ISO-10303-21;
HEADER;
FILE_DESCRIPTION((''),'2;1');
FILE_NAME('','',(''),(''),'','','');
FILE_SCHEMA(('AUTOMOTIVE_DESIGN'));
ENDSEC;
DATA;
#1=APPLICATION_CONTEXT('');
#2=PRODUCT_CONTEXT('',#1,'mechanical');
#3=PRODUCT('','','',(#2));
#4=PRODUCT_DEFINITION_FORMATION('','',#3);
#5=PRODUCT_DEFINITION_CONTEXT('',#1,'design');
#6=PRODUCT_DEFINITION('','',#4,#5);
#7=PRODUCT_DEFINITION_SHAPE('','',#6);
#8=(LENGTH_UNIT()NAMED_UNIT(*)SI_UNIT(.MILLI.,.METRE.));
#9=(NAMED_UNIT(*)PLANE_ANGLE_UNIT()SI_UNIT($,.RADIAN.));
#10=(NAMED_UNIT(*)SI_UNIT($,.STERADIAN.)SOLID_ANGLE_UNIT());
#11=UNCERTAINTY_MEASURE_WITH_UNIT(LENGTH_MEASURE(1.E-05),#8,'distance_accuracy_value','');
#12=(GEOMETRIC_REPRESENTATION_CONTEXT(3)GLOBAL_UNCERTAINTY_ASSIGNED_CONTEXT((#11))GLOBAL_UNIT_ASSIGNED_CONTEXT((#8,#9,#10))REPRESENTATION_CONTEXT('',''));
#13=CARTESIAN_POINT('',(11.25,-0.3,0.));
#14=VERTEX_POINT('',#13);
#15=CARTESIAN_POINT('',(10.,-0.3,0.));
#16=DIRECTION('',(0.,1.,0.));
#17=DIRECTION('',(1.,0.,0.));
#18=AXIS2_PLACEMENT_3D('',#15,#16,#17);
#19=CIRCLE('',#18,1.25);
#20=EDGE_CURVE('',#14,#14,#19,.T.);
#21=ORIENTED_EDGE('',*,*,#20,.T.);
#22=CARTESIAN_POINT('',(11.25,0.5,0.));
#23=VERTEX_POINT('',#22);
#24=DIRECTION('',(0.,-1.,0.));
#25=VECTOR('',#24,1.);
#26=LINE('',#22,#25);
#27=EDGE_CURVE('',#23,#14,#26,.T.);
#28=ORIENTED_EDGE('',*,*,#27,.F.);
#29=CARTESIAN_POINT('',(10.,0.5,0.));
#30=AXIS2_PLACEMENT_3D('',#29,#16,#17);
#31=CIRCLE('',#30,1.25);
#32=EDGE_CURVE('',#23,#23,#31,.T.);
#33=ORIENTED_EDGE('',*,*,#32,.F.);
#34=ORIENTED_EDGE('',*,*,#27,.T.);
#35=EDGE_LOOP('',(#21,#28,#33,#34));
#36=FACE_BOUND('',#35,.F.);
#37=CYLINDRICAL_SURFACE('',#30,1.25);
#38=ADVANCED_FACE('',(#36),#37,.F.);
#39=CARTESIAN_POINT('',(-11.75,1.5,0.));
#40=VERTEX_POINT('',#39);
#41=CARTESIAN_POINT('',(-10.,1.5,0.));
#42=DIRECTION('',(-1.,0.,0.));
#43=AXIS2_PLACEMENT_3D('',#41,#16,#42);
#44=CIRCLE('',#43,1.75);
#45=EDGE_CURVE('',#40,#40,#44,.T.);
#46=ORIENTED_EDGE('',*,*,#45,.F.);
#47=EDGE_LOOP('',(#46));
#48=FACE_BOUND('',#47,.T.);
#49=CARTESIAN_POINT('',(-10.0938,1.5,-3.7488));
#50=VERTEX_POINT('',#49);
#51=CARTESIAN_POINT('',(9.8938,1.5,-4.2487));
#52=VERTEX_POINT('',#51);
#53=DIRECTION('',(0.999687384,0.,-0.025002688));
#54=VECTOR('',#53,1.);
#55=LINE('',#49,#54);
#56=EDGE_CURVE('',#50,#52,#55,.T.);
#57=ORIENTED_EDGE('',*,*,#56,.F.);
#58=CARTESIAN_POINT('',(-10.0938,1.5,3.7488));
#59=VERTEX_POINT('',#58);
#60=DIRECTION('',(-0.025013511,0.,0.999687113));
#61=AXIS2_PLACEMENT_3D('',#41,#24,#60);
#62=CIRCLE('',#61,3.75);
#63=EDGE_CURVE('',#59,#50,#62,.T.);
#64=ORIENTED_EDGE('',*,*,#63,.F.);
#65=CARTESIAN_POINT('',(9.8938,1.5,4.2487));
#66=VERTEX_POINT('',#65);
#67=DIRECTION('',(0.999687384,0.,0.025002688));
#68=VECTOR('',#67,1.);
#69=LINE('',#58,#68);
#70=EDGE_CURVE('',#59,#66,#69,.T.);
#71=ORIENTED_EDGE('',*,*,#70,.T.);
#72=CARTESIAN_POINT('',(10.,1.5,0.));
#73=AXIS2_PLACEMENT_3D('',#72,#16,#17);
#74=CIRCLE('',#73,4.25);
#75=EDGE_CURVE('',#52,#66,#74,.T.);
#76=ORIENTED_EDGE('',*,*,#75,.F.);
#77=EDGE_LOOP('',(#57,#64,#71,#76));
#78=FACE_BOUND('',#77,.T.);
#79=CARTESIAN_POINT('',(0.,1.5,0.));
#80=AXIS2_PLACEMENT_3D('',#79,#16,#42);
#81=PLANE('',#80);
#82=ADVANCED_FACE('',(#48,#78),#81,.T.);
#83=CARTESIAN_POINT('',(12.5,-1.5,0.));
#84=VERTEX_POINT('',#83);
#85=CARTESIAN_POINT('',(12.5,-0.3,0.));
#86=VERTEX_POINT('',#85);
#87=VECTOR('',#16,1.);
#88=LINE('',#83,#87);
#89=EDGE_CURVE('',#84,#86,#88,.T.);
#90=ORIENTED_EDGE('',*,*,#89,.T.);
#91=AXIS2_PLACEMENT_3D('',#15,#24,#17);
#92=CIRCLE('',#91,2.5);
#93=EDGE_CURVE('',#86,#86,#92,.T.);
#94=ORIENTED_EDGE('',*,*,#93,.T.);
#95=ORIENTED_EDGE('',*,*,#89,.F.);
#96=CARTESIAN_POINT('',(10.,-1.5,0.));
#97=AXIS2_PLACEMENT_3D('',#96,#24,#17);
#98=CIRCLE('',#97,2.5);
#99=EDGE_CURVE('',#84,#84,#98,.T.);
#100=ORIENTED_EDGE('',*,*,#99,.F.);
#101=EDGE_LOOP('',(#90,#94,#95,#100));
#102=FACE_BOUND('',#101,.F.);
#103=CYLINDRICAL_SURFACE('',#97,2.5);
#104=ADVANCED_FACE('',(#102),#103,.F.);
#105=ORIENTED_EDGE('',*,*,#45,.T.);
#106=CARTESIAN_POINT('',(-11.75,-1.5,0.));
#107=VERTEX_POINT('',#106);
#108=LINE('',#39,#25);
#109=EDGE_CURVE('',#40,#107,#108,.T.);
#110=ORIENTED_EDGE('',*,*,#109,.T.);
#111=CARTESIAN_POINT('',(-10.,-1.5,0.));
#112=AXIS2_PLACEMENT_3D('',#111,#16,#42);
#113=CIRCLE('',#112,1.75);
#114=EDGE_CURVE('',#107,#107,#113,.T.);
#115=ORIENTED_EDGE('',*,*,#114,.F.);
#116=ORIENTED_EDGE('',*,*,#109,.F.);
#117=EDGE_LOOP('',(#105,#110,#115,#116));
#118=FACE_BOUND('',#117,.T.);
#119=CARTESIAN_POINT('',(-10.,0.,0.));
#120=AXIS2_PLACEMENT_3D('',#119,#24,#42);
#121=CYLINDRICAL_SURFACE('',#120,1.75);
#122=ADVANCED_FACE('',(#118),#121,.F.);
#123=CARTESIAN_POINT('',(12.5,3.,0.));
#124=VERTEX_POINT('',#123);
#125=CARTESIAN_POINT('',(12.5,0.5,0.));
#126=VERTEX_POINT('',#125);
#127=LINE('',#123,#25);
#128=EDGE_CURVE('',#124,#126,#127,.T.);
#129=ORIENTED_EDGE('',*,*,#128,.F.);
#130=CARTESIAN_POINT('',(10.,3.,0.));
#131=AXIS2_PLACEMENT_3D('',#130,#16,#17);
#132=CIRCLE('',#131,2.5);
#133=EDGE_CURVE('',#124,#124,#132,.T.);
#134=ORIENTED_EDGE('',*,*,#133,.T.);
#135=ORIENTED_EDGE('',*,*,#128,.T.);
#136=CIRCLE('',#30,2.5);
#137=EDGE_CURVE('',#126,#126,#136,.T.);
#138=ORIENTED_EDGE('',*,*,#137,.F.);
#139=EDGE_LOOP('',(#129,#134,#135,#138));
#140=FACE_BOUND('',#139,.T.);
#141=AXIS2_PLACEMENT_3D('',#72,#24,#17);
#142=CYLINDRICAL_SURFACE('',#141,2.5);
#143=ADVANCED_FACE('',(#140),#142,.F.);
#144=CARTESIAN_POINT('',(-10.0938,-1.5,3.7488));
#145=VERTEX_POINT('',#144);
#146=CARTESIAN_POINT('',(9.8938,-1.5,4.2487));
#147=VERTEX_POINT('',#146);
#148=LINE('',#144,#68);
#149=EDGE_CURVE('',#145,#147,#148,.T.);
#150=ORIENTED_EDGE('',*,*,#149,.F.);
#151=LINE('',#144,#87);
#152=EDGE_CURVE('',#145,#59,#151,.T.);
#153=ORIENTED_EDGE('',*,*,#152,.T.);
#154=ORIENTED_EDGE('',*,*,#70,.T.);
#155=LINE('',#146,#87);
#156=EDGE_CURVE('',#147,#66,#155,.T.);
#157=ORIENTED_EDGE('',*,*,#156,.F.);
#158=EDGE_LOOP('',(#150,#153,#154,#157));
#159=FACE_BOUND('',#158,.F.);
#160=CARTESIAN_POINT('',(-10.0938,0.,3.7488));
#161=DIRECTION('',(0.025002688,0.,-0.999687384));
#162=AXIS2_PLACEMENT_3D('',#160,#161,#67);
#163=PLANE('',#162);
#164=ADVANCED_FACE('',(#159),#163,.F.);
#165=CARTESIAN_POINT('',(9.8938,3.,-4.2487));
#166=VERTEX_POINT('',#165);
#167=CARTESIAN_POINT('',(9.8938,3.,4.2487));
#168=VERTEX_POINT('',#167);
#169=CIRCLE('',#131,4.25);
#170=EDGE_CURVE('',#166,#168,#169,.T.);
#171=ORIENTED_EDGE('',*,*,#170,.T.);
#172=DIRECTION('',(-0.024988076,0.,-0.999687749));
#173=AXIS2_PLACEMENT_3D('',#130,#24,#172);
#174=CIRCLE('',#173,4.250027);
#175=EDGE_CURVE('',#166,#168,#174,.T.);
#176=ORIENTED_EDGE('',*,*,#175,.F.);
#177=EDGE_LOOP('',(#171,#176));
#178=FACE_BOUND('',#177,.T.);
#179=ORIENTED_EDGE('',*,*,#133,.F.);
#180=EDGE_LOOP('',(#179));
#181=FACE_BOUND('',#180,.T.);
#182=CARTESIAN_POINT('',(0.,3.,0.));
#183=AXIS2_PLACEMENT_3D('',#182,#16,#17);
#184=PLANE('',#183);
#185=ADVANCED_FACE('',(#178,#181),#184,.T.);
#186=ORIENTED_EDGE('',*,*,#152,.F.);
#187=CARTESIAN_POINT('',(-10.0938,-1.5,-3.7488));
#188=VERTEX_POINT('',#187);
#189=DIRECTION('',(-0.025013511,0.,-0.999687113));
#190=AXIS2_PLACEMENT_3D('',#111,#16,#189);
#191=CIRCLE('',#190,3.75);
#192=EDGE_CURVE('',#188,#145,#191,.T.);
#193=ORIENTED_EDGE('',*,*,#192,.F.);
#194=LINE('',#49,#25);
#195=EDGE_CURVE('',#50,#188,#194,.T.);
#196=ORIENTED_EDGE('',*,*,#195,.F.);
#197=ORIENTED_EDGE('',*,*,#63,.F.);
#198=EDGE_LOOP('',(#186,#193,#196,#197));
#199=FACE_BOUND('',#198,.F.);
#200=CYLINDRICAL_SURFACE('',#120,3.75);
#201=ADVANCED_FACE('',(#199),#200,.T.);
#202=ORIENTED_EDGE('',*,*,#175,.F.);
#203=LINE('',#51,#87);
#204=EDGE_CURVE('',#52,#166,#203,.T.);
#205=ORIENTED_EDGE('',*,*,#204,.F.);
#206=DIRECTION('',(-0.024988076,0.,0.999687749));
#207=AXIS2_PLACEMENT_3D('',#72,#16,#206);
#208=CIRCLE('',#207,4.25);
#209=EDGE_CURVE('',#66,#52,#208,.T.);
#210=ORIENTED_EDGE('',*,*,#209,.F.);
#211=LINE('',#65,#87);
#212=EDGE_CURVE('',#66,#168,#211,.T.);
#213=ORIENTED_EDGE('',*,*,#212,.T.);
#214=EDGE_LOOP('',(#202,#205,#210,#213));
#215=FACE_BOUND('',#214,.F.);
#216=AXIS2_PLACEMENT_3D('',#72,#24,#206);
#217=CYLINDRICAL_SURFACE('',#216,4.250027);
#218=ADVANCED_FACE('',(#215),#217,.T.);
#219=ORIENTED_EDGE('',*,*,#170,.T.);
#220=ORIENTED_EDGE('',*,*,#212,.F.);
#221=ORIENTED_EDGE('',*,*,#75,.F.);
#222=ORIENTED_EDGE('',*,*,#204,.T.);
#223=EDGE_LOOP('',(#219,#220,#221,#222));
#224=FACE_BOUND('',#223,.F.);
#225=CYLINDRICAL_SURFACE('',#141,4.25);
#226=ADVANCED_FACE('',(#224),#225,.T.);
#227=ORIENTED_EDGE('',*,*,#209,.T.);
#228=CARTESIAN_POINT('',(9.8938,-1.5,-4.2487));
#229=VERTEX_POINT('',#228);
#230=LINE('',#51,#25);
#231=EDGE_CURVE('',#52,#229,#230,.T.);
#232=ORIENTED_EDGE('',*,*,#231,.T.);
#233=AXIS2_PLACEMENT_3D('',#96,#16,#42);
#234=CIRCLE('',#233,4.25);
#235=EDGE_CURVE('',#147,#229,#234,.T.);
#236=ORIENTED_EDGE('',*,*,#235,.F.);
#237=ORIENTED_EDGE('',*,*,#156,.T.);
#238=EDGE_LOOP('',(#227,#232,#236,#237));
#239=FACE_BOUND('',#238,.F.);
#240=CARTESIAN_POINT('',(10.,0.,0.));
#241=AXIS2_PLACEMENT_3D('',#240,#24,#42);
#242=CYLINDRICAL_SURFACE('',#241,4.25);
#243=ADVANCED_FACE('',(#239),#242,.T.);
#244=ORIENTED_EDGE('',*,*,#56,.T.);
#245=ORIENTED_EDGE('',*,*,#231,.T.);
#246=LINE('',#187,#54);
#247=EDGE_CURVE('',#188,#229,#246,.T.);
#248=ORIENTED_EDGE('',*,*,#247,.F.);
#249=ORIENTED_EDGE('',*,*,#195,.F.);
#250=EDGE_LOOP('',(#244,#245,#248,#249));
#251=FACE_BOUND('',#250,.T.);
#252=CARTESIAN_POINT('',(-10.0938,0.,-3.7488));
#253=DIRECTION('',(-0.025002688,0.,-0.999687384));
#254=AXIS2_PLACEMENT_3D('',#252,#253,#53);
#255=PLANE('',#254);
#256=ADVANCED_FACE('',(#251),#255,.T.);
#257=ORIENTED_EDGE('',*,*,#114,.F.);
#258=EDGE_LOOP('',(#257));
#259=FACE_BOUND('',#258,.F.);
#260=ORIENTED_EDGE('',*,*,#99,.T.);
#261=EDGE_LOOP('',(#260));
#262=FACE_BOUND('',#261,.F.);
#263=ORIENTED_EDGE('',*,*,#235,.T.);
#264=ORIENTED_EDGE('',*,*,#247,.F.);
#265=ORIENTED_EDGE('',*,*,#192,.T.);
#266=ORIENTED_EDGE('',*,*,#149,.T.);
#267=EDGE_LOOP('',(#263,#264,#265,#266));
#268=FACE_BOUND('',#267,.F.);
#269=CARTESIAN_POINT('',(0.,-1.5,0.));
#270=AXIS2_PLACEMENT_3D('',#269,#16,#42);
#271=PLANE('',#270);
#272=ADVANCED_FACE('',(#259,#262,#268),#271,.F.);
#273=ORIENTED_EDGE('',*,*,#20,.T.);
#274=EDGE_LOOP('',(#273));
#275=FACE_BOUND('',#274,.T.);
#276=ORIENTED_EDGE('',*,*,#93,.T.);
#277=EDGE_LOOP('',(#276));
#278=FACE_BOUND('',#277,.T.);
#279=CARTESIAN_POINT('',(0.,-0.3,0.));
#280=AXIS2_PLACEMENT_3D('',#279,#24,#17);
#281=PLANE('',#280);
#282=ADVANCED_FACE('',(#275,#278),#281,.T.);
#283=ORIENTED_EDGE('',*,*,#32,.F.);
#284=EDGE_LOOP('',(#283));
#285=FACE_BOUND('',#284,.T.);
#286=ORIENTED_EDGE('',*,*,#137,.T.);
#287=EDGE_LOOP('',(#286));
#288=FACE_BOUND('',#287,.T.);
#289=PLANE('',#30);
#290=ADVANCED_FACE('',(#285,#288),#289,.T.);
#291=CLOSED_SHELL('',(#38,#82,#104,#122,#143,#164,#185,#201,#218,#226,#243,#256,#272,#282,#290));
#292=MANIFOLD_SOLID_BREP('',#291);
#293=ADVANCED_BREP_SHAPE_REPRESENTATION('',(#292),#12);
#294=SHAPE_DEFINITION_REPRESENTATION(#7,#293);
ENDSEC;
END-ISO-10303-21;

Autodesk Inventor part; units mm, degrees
ref_plane "YZ Plane" through (0, 0, 0) normal (1, 0, 0) x (0, 1, 0)
ref_plane "XZ Plane" through (0, 0, 0) normal (0, 1, 0) x (-1, 0, 0)
ref_plane "XY Plane" through (0, 0, 0) normal (0, 0, 1) x (1, 0, 0)
sketch "Sketch1" plane through (0, 0, 0) normal (0, 1, 0) x (-1, 0, 0)
  line L0 (0, 0) -> (10, 0) construction
  circle A0 centre (10, 0) radius 3.75
  circle A1 centre (10, 0) radius 1.75
  line L1 (0, 0) -> (-10, 0) construction
  circle A2 centre (-10, 0) radius 4.25
  line L2 (10.0938, 3.7488) -> (-9.8938, 4.2487)
  line L3 (10.0938, -3.7488) -> (-9.8938, -4.2487)
  dimension "d1" = 7.5
  dimension "d0" = 10
  dimension "d2" = 3.5
  dimension "d3" = 10
extrude "Extrusion1" add sketch "Sketch1" along normal mid plane 3
sketch "Sketch2" plane through (0, 1.5, 0) normal (0, 1, 0) x (1, 0, 0)
  arc A0 (9.8938, -4.2487) -> (9.8938, 4.2487) centre (10, 0) ccw projected
  circle A1 centre (10, 0) radius 2.5
  circle A2 centre (10, 0) radius 4.25
  point P0 (0, 0)
  point P1 (9.8937, 4.2487)
  point P2 (9.8938, -4.2487)
  dimension "d9" = 5
extrude "Extrusion2" add sketch "Sketch2" along normal blind 1.5
sketch "Sketch4" plane through (10, 1.5, 0) normal (0, 1, 0) x (1, 0, 0)
  circle A0 centre (0, 0) radius 2.5 projected
  circle A1 centre (0, 0) radius 2.5
  point P0 (-10, 0)
  dimension "d13" = 5
extrude "Extrusion3" cut sketch "Sketch4" against normal blind 1
sketch "Sketch5" plane through (10, 0.5, 0) normal (0, 1, 0) x (1, 0, 0)
  circle A0 centre (0, 0) radius 2.5 projected
  circle A1 centre (0, 0) radius 1.25
  point P0 (-10, 0)
  dimension "d16" = 2.5
extrude "Extrusion4" cut sketch "Sketch5" against normal blind 0.8 contours A1
sketch "Sketch6" plane through (0, -1.5, 0) normal (0, -1, 0) x (1, 0, 0)
  arc A0 (9.8938, -4.2487) -> (9.8938, 4.2487) centre (10, 0) ccw projected
  circle A1 centre (10, 0) radius 2.5
  point P0 (0, 0)
  dimension "d19" = 5
extrude "Extrusion5" cut sketch "Sketch6" against normal blind 1.2
properties part number "eje de servo 1"
